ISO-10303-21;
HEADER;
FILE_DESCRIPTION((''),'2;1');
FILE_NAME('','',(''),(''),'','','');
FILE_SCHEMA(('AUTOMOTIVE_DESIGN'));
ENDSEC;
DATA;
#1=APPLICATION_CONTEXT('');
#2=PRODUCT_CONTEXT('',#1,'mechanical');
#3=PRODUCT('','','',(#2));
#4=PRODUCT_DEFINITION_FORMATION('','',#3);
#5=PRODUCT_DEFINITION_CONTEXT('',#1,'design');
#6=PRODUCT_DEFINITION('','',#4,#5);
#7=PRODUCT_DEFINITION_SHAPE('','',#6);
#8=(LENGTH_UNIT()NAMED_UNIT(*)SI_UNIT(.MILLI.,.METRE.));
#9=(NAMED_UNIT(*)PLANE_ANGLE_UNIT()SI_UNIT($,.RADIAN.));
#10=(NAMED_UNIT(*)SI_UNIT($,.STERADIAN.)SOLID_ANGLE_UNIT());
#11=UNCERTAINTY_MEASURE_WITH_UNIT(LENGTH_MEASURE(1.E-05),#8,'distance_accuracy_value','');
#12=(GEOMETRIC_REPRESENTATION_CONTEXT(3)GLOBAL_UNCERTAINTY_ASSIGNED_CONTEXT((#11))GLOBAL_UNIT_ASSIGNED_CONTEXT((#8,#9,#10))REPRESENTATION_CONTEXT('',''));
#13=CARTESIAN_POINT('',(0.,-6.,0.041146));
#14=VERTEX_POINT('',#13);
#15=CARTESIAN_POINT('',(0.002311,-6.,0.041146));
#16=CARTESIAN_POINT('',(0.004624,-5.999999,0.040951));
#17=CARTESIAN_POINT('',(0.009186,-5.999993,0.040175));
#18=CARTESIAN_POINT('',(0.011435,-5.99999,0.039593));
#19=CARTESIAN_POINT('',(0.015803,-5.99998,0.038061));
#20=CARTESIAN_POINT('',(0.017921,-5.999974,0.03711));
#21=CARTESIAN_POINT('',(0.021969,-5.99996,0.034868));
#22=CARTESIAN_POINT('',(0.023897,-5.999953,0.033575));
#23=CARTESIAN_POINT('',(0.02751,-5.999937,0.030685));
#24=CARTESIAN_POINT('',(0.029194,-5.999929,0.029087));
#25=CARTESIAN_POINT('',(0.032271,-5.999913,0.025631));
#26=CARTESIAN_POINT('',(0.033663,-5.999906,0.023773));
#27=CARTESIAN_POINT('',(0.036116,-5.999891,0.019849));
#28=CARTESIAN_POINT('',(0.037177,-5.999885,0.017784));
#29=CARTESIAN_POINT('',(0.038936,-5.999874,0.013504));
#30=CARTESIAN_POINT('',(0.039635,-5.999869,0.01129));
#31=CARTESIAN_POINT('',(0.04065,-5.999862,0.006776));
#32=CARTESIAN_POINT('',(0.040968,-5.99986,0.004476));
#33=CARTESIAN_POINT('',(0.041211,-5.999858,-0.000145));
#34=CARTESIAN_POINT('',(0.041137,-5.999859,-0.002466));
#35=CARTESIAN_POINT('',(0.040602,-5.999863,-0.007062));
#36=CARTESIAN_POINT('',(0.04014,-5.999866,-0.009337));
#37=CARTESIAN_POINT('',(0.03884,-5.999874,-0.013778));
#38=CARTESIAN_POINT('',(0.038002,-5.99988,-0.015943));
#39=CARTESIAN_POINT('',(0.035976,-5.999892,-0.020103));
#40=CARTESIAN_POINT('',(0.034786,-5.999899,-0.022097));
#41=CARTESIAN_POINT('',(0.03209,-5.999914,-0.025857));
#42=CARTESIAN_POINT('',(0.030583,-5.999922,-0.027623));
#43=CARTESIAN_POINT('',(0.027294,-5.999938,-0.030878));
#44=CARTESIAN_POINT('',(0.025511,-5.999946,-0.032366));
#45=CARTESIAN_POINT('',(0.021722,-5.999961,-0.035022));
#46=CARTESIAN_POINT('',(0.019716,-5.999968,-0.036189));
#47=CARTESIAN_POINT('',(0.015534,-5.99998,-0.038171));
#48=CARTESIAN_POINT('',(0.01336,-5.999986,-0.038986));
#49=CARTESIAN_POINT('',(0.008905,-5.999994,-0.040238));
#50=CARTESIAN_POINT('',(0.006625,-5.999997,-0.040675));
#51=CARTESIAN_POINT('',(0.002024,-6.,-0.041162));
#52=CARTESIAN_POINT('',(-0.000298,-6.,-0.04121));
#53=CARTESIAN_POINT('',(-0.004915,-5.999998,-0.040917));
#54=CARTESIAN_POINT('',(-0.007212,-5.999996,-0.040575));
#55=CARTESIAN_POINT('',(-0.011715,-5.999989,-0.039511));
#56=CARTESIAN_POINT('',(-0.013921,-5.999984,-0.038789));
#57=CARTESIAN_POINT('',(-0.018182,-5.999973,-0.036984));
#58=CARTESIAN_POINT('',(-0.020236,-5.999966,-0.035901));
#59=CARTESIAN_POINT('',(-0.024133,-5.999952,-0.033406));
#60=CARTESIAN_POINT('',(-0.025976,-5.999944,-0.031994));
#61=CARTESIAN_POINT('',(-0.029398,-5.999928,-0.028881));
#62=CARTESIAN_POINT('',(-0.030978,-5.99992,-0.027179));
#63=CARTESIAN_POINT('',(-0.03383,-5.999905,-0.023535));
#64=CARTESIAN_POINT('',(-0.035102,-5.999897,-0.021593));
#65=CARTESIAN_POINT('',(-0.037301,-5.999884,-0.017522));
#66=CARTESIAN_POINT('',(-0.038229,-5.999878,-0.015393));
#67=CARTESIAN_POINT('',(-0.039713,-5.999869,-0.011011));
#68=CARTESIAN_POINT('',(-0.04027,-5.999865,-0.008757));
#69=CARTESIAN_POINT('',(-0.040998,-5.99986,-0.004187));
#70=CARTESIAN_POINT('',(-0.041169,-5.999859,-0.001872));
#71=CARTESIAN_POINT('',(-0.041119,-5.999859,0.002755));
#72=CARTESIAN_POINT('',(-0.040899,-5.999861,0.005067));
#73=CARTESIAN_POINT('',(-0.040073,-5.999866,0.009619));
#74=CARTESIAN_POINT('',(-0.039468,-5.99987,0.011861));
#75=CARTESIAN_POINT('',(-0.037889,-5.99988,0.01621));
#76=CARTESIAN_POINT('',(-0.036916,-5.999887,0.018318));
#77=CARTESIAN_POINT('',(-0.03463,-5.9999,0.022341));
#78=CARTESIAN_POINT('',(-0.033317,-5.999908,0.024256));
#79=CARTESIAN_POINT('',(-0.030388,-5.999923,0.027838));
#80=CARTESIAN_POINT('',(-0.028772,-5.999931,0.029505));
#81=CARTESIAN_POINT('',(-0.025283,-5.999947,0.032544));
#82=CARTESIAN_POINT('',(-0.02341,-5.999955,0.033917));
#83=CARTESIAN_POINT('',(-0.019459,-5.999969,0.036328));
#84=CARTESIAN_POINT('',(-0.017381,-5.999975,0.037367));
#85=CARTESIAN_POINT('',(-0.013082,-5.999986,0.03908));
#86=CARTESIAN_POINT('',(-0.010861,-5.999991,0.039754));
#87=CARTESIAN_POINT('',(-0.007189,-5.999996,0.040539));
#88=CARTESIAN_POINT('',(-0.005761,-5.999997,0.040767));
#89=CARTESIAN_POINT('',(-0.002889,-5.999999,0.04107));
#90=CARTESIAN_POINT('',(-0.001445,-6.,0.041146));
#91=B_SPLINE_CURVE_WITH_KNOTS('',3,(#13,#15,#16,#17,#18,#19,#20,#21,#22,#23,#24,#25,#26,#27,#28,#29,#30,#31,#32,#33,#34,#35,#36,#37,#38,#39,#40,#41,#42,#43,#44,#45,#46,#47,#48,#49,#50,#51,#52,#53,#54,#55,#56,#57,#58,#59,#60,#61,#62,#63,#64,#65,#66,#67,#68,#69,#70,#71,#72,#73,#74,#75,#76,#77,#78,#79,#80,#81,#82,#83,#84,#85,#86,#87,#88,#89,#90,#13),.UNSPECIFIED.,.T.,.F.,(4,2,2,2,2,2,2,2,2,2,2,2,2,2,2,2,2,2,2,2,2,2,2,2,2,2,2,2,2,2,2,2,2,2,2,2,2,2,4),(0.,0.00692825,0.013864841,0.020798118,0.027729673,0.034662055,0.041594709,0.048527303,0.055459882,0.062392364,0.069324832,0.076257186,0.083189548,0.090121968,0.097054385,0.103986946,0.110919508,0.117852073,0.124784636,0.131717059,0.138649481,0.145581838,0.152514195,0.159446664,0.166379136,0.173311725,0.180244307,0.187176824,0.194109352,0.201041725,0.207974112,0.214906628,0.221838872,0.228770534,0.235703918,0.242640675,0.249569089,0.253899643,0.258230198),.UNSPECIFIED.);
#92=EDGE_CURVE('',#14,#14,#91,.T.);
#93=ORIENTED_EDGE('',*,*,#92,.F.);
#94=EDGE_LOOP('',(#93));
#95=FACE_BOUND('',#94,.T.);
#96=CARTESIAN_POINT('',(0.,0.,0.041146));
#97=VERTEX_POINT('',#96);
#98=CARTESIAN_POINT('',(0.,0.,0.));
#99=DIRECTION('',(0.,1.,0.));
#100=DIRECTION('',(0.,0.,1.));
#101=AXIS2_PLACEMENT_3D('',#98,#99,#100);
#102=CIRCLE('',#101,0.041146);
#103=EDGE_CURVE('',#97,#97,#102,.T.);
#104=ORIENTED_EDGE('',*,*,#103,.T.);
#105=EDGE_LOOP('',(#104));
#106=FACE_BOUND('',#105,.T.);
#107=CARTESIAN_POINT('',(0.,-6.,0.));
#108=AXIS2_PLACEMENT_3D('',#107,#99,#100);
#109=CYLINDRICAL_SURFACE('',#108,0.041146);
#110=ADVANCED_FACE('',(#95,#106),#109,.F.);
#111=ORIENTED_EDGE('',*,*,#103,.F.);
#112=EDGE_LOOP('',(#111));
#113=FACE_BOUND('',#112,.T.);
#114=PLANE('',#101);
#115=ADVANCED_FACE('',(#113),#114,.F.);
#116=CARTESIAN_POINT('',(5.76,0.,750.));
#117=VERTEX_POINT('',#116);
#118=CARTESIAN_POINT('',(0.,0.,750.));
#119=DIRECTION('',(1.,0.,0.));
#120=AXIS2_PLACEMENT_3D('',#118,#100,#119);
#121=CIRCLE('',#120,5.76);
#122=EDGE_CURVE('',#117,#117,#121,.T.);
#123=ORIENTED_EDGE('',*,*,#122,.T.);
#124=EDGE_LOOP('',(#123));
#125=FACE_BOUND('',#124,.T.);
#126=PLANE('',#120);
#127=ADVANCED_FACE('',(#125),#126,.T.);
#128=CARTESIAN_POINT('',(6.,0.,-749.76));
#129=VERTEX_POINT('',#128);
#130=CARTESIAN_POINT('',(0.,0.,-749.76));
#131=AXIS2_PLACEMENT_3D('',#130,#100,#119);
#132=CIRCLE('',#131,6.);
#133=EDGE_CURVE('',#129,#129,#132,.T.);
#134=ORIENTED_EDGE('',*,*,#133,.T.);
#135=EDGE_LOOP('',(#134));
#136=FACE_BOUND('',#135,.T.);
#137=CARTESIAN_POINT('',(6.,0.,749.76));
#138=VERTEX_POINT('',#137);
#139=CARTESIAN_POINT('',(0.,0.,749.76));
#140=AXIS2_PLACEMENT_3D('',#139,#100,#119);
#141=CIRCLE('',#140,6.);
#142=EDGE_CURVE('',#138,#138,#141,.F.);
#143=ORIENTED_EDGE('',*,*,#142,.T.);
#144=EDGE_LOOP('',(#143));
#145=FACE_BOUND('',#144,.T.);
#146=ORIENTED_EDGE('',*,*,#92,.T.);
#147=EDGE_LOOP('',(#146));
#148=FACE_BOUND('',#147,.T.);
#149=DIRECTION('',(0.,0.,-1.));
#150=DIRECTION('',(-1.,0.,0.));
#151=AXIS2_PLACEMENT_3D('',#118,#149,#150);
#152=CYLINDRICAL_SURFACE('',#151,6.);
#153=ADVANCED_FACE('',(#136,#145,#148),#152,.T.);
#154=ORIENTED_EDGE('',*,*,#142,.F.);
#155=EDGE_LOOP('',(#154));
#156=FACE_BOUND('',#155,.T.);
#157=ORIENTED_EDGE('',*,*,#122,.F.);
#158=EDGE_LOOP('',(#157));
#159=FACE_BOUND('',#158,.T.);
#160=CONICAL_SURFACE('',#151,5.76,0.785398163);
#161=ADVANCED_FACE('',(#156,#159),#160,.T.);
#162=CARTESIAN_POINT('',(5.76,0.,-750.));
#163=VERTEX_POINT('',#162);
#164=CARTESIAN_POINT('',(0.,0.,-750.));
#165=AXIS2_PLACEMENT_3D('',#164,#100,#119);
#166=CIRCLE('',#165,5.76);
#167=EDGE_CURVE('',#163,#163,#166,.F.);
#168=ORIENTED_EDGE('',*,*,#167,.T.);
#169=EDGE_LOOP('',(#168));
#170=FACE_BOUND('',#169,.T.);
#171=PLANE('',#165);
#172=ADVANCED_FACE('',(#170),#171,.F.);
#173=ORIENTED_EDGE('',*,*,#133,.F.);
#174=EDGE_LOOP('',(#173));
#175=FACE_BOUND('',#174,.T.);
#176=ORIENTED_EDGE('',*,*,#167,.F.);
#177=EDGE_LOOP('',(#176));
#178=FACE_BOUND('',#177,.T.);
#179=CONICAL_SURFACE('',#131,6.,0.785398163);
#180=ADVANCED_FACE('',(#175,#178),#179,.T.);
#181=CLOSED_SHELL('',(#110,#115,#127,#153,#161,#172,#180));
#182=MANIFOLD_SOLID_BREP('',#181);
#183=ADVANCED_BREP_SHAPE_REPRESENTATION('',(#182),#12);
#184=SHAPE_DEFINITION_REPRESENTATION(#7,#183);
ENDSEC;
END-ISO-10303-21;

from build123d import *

# Parameters (mm, degrees)
BOSS_EXTRUDE1_DEPTH      = 750
BOSS_EXTRUDE1_DEPTH_BACK = 750
SKETCH3_R                = 6
CHAMFER1_SIZE            = 0.24
SKETCH5_R                = 0.04114626
CUT_EXTRUDE2_DEPTH       = 751.047998464


with BuildPart() as part:
    # Sketch3 → Boss-Extrude1 (new, two sides: drawn at the far end of the back side and taken through both)
    with BuildSketch(Plane.XY.offset(-BOSS_EXTRUDE1_DEPTH_BACK)):
        Circle(SKETCH3_R)
    extrude(amount=BOSS_EXTRUDE1_DEPTH + BOSS_EXTRUDE1_DEPTH_BACK)

    # Chamfer1
    chamfer1_edges = [part.edges().sort_by_distance(p)[0] for p in [
        (-6, 0, -750),
        (-6, 0, 750),
    ]]
    chamfer(chamfer1_edges, length=CHAMFER1_SIZE)

    # Sketch5 → Cut-Extrude2 (cut, through all)
    with BuildSketch(Plane(origin=(0, 0, 0), x_dir=(1, 0, 0), z_dir=(0, 1, 0))):
        with Locations(Location((0, 0, 0), (0, 0, 270))):
            Circle(SKETCH5_R)
    extrude(amount=-CUT_EXTRUDE2_DEPTH, mode=Mode.SUBTRACT)


solid = part.part
